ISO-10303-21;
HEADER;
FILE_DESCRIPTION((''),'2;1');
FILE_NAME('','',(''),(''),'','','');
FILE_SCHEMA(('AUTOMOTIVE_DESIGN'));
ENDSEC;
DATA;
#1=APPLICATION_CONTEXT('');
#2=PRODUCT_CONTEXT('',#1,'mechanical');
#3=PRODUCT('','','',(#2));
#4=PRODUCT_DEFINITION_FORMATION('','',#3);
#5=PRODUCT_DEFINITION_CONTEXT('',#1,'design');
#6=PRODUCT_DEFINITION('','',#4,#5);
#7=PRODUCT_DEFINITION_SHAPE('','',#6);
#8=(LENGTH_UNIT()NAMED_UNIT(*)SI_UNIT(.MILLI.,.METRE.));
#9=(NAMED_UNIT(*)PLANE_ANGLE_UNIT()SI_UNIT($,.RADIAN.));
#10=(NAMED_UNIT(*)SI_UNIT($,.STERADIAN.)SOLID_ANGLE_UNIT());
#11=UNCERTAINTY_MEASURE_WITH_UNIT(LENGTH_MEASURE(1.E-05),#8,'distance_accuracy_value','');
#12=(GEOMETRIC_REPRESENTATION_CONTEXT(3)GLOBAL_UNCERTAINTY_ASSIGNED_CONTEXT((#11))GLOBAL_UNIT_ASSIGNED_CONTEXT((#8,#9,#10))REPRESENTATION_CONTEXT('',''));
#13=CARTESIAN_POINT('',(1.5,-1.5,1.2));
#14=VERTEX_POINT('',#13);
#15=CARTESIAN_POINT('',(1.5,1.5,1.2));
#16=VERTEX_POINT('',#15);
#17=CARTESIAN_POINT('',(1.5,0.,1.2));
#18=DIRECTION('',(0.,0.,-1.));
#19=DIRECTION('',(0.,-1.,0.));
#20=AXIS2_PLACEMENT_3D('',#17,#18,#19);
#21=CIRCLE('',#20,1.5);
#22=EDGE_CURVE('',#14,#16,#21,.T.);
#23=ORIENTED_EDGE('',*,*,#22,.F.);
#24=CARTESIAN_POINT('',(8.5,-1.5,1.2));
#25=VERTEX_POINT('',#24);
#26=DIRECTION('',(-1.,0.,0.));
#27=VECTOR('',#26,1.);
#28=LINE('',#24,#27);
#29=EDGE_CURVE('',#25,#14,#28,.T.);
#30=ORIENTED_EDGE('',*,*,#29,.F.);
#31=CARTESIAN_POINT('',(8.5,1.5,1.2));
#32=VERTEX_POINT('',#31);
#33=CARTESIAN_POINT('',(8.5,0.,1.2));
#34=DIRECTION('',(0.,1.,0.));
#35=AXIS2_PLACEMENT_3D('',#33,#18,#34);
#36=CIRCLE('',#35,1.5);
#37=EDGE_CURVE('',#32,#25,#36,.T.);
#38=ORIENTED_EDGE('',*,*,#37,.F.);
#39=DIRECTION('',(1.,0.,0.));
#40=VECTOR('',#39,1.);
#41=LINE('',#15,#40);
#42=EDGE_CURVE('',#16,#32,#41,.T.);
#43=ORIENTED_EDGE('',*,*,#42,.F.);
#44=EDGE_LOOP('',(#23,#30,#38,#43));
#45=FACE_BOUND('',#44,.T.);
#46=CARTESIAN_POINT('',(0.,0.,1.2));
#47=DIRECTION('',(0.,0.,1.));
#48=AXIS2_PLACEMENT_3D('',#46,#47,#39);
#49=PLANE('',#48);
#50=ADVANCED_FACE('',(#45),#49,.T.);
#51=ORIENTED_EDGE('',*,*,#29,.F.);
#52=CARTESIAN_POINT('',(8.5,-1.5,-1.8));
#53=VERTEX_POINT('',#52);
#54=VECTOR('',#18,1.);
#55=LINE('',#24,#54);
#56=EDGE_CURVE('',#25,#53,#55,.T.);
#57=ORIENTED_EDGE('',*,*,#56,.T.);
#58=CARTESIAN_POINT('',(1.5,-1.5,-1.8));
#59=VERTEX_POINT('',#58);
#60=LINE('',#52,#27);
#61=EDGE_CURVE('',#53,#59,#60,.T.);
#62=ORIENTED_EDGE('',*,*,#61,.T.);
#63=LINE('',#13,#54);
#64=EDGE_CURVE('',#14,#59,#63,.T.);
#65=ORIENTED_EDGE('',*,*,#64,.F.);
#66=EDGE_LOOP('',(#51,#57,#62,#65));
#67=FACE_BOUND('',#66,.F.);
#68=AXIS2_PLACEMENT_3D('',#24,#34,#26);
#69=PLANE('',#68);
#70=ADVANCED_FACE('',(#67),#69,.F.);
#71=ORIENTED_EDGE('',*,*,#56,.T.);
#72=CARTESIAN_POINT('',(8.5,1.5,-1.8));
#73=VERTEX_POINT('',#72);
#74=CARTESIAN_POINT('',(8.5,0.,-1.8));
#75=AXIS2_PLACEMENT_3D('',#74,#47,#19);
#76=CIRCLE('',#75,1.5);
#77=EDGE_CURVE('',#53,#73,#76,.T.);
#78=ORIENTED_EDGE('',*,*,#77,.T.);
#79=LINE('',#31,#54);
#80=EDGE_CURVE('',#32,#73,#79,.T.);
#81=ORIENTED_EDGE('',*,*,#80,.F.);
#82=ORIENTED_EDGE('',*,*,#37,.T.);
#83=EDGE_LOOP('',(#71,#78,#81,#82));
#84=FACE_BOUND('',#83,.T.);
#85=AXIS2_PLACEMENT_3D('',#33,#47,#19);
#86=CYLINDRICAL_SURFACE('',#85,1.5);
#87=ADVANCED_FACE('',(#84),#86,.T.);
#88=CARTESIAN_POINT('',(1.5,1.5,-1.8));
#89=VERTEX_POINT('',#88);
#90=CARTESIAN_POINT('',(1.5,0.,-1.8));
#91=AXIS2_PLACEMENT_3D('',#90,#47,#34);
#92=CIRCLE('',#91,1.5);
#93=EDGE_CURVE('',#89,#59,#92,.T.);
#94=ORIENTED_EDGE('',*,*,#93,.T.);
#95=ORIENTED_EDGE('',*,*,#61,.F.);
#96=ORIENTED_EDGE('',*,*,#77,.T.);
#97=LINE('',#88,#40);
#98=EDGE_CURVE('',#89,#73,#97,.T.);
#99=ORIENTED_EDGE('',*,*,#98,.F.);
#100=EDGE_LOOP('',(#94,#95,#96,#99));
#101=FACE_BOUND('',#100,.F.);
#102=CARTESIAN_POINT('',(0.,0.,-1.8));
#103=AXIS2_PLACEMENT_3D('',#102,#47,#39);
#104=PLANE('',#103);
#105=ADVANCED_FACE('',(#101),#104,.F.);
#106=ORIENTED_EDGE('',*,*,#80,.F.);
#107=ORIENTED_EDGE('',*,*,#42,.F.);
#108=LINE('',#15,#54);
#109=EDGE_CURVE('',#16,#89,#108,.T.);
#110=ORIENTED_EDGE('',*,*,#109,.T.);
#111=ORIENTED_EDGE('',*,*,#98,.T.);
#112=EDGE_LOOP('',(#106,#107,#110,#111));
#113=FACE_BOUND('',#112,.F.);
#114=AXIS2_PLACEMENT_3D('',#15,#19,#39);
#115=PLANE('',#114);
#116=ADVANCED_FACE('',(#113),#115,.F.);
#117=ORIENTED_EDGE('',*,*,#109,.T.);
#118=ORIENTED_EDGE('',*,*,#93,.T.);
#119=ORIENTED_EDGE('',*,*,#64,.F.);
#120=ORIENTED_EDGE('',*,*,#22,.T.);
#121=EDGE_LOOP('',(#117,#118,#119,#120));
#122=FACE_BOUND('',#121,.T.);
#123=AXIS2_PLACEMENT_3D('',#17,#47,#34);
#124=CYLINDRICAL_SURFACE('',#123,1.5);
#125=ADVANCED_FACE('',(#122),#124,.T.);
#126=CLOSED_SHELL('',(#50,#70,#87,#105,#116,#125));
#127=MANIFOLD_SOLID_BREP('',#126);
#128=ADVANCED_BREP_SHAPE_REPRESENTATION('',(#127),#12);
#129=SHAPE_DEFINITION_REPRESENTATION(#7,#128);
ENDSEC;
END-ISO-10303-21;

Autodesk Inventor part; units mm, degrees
sketch "Esquisse1" plane through (0, 0, 0) normal (0, 0, 1) x (1, 0, 0)
  line L0 (1.5, 1.5) -> (8.5, 1.5)
  line L1 (8.5, -1.5) -> (1.5, -1.5)
  arc A0 (1.5, 1.5) -> (1.5, -1.5) centre (1.5, 0) ccw
  line L2 (0, 9.4) -> (0, -7.4) projected
  line L3 (-5, 0) -> (30, 0) projected
  arc A1 (8.5, -1.5) -> (8.5, 1.5) centre (8.5, 0) ccw
  line L4 (10, 0) -> (10, 7) construction
  dimension "d0" = 1.5
  dimension "d8" = 1.5
  dimension "d9" = 10
ref_plane "Work Plane1" through (0, 0, -1.8) normal (0, 0, 1) x (1, 0, 0)
ref_plane "Work Plane2" through (0, 0, 1.2) normal (0, 0, 1) x (1, 0, 0)
extrude "Corps1" add sketch "Esquisse1" against normal up to surface (3 mm away) from surface at 1.2
ref_plane "Work Plane3" through (10, 0, 1.2) normal (1, 0, 0) x (0, 1, 0)
equation "\"d0\" = 0.5 * PB"
equation "\"d8\" = 0.5 * PB"
equation "\"d9\" = NLG"
equation "\"d1\" = -PNT"
equation "\"d2\" = PH - PNT"
equation "\"NLG\" = 10"
equation "\"PB\" = 3"
equation "\"PNT\" = 1.8"
equation "\"PH\" = 3"
equation "\"RR\" = 0.001"
equation "\"WDMIN\" = 8"
equation "\"PHH\" = 0"
equation "\"PUEB\" = 1.4"
properties part number "DIN 6885 - A 3 x 3 x 10" material "Acier, doux"
